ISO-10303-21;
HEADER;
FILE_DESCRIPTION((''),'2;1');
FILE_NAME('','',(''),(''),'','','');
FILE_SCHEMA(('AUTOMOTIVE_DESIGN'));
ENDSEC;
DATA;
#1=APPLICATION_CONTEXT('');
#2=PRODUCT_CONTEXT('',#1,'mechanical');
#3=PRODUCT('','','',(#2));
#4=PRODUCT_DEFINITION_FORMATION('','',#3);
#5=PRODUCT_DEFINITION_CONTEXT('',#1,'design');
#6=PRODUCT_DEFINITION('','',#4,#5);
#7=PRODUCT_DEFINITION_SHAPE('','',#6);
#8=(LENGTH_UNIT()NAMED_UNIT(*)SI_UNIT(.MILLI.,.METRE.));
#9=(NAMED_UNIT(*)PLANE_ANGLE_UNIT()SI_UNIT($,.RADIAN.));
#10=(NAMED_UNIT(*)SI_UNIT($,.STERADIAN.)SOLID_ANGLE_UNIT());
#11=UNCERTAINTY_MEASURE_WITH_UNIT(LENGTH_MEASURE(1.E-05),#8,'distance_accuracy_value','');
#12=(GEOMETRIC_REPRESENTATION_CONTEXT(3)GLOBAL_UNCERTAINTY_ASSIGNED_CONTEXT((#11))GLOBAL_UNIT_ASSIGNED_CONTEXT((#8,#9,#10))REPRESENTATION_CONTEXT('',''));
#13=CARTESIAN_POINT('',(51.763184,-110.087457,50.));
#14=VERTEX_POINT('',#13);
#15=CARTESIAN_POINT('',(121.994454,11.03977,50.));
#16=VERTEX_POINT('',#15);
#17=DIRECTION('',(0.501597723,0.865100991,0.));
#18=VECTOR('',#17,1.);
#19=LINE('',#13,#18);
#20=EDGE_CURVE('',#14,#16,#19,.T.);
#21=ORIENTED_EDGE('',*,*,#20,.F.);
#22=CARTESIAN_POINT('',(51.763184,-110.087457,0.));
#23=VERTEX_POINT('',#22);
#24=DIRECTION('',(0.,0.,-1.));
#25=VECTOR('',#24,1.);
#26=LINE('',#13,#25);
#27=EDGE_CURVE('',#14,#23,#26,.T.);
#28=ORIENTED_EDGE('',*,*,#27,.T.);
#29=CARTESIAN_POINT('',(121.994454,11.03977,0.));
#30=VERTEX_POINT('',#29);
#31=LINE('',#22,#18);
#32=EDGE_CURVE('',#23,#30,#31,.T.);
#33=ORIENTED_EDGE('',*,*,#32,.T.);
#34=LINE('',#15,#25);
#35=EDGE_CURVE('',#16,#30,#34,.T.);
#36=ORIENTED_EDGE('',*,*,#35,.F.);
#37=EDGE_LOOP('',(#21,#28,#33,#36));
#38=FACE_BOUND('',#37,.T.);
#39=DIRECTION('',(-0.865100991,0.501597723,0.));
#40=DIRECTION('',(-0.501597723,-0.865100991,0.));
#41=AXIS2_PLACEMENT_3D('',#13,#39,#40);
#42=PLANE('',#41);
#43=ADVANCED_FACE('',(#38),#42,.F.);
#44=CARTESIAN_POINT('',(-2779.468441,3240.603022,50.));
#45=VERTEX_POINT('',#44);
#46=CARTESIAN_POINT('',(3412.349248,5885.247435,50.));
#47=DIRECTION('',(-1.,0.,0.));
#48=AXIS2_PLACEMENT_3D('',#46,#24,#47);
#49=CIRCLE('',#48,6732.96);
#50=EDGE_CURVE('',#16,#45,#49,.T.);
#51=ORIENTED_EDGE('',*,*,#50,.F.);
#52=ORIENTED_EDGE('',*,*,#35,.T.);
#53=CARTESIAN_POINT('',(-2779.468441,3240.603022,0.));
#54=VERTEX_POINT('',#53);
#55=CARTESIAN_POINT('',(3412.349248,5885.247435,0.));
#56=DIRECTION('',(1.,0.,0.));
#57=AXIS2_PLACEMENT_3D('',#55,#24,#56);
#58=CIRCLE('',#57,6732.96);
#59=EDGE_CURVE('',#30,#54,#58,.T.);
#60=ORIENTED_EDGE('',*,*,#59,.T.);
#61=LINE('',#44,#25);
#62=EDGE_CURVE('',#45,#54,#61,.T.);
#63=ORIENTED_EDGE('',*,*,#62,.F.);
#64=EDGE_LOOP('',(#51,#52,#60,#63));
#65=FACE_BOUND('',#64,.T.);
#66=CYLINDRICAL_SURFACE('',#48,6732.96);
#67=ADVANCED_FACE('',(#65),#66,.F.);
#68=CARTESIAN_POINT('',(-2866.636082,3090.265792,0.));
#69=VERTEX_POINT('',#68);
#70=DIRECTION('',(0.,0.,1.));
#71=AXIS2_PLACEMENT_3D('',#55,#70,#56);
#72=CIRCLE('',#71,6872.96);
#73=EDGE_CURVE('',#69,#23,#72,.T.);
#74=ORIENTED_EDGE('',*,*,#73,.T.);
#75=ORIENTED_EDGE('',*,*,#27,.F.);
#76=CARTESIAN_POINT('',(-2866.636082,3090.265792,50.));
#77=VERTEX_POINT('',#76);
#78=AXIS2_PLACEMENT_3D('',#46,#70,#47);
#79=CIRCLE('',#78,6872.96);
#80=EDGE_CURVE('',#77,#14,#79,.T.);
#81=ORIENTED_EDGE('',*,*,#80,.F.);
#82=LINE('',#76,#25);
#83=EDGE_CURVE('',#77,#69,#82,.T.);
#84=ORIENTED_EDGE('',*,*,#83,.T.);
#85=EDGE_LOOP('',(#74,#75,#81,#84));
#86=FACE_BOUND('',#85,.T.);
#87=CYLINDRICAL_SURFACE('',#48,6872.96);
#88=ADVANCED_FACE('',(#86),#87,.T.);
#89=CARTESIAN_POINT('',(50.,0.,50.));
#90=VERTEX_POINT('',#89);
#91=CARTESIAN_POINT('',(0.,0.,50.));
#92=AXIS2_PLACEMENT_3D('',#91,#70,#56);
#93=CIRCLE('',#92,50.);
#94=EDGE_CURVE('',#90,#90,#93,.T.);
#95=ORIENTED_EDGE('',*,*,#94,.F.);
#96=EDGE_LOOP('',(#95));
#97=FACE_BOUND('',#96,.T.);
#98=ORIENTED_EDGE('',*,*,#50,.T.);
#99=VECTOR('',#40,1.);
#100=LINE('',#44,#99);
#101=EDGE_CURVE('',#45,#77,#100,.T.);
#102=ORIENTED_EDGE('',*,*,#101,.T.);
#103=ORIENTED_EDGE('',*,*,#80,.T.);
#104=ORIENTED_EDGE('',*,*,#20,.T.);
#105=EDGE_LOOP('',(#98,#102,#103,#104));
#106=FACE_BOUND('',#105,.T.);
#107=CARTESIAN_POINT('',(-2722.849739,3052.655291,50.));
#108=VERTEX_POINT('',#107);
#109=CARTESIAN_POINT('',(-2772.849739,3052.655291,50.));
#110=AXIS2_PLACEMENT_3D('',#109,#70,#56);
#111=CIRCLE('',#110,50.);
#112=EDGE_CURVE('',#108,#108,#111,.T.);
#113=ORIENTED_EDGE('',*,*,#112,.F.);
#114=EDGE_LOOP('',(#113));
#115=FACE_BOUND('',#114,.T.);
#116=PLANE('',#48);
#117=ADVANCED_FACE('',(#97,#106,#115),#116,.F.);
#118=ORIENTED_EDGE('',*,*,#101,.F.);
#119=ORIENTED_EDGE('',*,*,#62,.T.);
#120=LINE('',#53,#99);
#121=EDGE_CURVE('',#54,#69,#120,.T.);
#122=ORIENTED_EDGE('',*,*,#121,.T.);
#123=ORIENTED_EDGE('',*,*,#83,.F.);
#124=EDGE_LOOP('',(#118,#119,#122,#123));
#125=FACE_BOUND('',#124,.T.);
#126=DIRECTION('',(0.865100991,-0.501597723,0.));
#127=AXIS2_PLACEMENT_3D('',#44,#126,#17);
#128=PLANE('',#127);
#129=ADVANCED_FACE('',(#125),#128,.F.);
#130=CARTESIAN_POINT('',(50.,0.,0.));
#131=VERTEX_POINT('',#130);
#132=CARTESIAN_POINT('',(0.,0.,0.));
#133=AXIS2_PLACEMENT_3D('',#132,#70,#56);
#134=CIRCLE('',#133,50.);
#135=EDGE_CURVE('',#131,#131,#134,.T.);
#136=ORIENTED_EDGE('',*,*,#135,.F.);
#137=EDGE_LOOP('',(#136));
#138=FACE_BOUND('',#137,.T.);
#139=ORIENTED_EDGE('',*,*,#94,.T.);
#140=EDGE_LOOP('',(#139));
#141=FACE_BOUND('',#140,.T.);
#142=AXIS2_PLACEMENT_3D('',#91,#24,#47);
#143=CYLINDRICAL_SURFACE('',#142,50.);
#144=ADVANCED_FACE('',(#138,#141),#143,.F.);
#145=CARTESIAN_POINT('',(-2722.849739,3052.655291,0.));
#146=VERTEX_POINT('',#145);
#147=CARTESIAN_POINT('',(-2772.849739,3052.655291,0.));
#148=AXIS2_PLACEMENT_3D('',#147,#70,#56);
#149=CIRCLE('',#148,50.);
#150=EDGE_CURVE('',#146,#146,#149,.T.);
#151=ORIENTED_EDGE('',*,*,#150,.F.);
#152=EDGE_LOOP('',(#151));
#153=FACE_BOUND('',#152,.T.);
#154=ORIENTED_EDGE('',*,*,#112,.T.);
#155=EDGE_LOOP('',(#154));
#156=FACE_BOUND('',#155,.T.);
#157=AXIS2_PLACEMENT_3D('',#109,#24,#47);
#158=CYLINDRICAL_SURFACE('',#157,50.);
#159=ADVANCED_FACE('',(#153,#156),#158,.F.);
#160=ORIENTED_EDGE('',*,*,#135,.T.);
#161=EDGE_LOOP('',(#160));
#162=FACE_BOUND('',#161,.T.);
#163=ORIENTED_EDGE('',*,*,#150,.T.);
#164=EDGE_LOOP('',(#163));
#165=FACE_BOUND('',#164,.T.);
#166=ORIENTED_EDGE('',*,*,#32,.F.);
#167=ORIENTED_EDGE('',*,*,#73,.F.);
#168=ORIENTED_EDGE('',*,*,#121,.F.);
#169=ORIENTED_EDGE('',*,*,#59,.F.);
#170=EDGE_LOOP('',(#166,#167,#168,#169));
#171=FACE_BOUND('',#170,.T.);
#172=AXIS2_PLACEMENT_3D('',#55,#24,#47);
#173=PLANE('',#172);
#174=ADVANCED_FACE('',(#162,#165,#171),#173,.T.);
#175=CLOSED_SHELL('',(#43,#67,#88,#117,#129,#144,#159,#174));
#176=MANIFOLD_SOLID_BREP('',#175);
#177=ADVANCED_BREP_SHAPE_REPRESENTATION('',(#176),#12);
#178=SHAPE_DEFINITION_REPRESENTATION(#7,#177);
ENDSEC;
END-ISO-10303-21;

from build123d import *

# Parameters (mm, degrees)
SKETCH1_R           = 50
BOSS_EXTRUDE1_DEPTH = 50


with BuildPart() as part:
    # Sketch1 → Boss-Extrude1 (new body)
    with BuildSketch(Plane.XY):
        with BuildLine():
            Line((51.763184367, -110.08745726), (121.994454448, 11.039769792))
            ThreePointArc((121.994454448, 11.039769792), (78.46121296, 35.637111971), (35.111840631, 60.557069344))
            ThreePointArc((35.111840631, 60.557069344), (-1571.499313179, 1358.21707482), (-2709.206276596, 3081.801640413))
            ThreePointArc((-2709.206276596, 3081.801640413), (-2744.849339403, 3160.975804045), (-2779.468441107, 3240.603022447))
            Line((-2779.468441107, 3240.603022447), (-2866.636082239, 3090.265791655))
            ThreePointArc((-2866.636082239, 3090.265791655), (-2851.653572761, 3056.847211293), (-2836.493201427, 3023.508941323))
            ThreePointArc((-2836.493201427, 3023.508941323), (-1675.129633057, 1264.085481813), (-35.111840631, -60.557069343))
            ThreePointArc((-35.111840631, -60.557069343), (8.235586311, -85.480271048), (51.763184367, -110.08745726))
        make_face()
        with Locations((-2772.849739011, 3052.655290868)):
            Circle(SKETCH1_R, mode=Mode.SUBTRACT)
        Circle(SKETCH1_R, mode=Mode.SUBTRACT)
    extrude(amount=BOSS_EXTRUDE1_DEPTH)


solid = part.part
